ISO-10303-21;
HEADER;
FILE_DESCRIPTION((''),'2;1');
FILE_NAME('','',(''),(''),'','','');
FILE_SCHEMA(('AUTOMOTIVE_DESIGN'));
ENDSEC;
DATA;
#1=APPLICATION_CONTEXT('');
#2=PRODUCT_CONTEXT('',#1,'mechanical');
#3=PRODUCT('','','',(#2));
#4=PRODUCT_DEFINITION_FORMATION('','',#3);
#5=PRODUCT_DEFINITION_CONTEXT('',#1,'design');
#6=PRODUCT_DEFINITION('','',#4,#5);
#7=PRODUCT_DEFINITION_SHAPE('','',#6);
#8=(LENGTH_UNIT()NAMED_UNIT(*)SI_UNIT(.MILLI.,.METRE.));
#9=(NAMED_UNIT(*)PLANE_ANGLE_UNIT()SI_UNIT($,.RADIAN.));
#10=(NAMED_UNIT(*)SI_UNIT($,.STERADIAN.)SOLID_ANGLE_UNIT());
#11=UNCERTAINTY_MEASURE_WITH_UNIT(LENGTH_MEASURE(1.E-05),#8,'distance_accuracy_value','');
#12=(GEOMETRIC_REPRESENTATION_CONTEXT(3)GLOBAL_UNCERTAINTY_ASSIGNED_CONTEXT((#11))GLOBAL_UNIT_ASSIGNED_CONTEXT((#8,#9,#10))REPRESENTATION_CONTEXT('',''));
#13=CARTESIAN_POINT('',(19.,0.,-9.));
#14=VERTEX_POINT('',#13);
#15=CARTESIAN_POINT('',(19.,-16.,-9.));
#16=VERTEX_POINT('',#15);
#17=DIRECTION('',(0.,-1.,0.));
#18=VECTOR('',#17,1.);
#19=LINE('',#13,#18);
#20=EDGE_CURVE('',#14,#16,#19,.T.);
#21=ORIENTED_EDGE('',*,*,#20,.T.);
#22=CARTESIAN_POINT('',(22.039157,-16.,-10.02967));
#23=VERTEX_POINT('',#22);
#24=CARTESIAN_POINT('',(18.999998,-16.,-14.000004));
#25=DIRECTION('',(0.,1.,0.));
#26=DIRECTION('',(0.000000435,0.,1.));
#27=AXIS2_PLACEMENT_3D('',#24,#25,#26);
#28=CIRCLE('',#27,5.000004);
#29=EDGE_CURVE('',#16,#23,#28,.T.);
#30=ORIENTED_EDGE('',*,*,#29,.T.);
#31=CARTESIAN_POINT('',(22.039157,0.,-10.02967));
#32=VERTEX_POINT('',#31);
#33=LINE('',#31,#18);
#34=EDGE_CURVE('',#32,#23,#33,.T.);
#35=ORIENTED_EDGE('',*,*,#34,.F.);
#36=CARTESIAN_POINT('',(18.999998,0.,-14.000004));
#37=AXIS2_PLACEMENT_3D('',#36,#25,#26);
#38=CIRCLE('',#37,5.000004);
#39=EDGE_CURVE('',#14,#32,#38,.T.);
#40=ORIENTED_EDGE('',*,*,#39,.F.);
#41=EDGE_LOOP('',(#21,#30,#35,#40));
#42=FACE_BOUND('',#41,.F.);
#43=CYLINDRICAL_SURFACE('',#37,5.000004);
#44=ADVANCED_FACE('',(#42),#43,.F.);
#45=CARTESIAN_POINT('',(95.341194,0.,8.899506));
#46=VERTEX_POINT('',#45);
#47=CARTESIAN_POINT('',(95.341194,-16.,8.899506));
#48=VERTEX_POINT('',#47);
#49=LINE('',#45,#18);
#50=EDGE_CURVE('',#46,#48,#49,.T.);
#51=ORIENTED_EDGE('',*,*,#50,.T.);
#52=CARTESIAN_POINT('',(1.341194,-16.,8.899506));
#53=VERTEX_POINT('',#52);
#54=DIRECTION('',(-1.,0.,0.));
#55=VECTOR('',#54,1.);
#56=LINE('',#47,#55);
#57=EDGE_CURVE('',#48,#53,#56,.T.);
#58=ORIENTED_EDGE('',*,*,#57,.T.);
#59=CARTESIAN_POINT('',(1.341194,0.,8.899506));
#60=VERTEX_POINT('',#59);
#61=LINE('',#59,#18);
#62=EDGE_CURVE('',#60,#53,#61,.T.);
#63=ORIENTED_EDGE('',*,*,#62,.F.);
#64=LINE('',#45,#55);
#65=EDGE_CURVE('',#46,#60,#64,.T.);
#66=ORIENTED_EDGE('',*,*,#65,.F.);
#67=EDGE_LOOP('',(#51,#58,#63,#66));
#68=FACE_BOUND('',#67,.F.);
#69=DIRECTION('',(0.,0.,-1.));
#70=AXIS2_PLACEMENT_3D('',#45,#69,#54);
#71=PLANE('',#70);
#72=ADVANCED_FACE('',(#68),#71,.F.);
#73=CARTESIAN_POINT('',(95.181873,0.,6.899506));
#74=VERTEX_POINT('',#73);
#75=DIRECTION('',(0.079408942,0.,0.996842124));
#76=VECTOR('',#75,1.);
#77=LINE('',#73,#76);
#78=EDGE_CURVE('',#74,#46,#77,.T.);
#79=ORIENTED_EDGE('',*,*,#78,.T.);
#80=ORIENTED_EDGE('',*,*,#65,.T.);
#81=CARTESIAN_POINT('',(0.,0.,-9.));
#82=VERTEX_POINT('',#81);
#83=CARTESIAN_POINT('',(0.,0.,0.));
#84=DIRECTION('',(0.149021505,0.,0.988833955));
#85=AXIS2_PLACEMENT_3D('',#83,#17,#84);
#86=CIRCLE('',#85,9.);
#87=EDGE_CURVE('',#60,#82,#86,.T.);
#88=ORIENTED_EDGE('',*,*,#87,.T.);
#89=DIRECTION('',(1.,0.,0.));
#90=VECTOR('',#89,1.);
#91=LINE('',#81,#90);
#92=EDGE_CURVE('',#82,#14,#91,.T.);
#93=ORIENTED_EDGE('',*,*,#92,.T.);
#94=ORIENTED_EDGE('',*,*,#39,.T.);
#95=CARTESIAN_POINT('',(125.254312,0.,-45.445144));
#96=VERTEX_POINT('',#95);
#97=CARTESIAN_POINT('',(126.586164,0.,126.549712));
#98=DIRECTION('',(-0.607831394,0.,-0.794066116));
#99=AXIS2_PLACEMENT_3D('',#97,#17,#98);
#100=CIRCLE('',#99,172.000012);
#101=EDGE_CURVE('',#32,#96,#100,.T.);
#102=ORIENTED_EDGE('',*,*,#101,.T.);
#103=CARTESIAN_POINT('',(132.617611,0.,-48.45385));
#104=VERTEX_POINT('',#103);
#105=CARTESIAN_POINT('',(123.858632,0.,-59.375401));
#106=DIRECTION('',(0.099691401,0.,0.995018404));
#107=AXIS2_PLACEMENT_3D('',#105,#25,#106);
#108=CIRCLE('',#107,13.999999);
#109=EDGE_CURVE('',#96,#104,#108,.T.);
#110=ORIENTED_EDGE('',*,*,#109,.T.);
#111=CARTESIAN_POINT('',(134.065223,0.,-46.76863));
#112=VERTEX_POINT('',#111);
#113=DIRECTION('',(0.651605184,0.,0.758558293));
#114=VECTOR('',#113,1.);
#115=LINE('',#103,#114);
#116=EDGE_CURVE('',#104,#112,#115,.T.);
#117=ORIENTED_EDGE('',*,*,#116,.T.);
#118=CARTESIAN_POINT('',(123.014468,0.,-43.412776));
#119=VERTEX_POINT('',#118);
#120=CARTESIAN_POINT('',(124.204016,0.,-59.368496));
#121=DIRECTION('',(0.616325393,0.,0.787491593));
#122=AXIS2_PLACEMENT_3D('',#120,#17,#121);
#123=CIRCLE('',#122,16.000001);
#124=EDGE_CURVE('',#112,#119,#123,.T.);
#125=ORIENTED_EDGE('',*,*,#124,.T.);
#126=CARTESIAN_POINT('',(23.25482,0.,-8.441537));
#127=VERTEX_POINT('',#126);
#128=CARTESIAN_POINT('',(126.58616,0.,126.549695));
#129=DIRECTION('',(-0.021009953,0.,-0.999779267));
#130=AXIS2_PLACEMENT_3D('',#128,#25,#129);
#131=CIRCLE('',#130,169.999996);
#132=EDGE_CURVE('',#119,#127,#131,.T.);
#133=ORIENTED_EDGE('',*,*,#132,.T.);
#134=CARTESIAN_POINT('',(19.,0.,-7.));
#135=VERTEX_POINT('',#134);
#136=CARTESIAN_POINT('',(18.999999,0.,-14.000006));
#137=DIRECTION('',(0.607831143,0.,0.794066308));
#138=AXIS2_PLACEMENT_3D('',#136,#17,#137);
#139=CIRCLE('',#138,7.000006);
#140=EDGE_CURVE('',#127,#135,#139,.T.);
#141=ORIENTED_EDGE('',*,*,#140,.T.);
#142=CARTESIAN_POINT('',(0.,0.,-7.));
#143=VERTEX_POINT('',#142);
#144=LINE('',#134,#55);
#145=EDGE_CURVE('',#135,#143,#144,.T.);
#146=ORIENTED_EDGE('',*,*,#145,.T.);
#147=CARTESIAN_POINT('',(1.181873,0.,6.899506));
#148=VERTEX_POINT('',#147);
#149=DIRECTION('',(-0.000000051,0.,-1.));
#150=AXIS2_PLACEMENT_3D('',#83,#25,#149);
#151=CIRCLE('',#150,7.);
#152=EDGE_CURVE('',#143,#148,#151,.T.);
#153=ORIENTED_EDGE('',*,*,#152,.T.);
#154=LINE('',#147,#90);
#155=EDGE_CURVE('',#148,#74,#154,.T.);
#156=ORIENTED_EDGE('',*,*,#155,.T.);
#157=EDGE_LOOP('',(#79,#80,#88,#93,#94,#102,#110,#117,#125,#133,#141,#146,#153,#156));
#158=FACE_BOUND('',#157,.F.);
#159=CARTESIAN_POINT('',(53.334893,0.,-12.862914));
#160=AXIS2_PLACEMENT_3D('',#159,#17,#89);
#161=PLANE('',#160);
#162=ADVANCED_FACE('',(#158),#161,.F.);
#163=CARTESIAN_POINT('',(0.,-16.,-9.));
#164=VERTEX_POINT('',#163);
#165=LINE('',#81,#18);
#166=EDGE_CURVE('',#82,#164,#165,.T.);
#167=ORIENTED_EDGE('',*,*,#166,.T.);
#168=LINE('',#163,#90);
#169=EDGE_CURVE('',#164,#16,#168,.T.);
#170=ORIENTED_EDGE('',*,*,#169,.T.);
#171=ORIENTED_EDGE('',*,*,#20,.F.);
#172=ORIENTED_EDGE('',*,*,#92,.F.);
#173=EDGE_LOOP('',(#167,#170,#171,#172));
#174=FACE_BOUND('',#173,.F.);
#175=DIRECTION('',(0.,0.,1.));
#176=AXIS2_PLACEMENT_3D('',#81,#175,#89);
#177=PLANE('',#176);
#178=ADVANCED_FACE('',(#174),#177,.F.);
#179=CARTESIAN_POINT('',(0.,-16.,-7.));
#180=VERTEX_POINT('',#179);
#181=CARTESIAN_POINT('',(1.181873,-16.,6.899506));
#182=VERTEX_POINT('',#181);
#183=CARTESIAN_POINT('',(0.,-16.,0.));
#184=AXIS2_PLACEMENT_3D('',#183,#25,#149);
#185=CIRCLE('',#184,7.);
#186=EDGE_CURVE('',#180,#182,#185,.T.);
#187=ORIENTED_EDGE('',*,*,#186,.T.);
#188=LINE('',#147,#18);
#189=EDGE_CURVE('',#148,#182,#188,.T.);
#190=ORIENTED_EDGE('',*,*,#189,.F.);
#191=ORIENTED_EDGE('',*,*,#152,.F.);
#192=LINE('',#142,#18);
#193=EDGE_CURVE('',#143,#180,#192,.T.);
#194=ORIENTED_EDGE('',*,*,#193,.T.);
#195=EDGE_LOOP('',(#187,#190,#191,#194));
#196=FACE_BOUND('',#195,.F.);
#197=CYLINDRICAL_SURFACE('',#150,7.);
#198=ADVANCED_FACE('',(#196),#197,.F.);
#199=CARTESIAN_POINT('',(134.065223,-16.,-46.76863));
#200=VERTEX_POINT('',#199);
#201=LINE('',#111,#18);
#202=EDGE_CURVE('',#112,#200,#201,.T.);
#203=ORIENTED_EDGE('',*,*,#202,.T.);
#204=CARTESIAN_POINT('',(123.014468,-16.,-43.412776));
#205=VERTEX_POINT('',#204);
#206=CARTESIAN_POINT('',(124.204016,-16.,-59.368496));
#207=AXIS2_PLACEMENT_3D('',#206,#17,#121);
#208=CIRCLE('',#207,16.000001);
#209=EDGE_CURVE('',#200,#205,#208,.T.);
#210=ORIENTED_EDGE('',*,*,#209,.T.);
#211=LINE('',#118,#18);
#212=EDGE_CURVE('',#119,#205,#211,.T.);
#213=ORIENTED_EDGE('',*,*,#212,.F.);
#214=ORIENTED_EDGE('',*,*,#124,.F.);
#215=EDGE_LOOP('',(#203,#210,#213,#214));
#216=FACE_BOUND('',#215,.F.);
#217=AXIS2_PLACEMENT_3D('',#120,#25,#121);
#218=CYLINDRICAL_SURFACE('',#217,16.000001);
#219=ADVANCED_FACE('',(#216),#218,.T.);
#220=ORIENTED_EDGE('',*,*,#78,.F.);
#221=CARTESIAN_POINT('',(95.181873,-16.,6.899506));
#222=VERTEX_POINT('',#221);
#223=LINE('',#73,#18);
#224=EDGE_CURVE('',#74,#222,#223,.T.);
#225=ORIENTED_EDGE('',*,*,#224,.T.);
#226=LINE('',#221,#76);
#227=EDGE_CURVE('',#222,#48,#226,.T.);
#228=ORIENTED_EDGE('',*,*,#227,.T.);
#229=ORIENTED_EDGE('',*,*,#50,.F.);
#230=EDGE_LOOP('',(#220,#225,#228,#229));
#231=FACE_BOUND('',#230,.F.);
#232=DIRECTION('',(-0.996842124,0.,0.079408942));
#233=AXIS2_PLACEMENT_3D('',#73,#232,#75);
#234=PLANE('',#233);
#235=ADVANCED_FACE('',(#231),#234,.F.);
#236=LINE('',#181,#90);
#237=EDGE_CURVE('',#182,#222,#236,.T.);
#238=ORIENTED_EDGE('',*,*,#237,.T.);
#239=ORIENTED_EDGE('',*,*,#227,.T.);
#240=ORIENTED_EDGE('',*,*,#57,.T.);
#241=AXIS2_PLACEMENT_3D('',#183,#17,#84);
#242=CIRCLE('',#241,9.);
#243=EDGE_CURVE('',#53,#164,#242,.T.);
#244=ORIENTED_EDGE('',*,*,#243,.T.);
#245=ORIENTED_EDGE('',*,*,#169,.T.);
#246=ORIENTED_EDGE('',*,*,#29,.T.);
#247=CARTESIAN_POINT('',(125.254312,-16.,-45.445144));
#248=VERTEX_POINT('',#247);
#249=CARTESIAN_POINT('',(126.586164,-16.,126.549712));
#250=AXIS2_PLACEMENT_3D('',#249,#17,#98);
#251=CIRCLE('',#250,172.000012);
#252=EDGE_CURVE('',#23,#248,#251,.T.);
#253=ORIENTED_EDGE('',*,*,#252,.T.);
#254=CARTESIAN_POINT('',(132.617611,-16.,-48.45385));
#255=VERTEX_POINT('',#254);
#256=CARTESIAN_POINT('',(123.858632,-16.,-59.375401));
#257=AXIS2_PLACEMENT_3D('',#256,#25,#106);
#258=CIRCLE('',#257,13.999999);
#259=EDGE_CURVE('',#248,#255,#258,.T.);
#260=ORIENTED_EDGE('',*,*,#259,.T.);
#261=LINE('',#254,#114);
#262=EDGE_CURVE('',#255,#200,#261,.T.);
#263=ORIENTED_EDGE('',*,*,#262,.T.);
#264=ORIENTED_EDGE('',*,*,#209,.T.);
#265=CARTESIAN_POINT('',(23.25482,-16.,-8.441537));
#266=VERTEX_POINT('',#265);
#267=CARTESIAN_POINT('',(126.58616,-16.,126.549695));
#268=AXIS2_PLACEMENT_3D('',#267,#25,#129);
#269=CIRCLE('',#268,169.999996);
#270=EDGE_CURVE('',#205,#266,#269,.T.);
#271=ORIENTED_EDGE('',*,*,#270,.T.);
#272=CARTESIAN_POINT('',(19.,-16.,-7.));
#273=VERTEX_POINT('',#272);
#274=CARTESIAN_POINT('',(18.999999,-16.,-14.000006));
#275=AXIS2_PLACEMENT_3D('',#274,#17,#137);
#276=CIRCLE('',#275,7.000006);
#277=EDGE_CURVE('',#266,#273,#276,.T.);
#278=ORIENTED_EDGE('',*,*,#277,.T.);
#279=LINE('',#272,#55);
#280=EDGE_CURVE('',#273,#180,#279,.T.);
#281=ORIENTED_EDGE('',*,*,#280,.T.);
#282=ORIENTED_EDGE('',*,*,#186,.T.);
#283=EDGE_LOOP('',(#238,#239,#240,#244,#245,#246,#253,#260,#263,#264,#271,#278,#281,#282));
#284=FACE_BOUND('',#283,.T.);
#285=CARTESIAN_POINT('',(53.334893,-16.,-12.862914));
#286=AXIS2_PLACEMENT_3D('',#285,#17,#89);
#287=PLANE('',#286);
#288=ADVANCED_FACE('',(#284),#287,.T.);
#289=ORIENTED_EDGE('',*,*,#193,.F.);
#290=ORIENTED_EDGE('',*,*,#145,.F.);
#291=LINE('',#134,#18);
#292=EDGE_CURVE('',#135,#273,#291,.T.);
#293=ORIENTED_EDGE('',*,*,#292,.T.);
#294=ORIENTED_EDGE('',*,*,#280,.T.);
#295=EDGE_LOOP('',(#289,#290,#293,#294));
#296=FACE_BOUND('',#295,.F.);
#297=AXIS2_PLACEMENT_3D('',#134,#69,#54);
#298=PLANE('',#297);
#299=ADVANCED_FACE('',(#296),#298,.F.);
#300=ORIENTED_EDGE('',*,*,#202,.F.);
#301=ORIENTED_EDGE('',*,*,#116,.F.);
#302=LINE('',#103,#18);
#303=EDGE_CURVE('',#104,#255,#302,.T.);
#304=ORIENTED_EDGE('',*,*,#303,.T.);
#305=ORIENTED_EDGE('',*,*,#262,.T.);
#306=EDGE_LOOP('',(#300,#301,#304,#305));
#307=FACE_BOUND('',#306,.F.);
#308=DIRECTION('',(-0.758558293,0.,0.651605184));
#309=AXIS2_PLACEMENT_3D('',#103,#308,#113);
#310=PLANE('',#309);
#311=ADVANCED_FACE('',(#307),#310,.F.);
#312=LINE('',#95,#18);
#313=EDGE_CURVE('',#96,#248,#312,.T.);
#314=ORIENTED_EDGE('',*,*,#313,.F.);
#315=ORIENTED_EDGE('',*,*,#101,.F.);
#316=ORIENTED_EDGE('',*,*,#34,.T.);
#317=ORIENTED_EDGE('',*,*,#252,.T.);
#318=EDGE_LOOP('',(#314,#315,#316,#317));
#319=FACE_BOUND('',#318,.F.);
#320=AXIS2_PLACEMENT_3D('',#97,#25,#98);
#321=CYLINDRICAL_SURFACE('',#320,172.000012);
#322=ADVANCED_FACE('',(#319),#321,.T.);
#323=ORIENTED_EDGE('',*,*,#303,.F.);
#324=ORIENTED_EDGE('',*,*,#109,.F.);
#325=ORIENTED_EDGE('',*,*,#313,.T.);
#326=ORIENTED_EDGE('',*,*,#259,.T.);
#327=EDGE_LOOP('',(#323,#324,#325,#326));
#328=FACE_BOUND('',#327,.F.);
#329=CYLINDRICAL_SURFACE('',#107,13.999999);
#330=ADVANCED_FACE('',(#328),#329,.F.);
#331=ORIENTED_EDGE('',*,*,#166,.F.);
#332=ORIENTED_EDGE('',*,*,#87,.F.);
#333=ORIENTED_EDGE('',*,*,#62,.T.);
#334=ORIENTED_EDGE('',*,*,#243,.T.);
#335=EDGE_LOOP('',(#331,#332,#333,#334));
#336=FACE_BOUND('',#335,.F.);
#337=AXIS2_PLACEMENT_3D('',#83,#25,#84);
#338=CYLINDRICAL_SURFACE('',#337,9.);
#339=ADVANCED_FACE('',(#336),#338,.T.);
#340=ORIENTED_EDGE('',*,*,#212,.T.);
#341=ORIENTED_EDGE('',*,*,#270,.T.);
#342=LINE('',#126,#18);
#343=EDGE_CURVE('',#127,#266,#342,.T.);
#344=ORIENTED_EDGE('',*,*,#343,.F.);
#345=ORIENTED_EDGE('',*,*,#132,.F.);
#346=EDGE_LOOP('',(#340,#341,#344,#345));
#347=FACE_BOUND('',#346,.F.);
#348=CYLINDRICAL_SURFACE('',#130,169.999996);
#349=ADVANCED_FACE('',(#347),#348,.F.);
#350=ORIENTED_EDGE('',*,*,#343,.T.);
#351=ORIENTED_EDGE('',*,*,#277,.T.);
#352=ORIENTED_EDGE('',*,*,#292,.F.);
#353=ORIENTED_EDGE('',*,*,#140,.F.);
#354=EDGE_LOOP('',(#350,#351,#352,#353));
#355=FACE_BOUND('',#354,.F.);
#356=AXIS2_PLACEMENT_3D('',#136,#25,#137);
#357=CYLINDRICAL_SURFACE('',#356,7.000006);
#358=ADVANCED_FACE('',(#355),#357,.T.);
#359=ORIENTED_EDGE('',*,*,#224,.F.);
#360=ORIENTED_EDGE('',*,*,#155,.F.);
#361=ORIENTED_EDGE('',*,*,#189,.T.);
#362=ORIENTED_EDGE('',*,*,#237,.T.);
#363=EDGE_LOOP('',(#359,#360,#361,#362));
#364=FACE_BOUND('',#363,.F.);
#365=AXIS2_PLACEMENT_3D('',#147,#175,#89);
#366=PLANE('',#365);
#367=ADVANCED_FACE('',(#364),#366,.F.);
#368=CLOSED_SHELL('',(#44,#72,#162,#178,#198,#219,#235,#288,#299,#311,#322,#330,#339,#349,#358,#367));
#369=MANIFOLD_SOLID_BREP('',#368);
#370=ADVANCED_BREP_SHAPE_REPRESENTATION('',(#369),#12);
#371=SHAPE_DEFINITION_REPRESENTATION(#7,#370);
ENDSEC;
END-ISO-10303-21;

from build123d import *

# Parameters (mm, degrees)
F1_DEPTH = 16


with BuildPart() as f1:
    # F0 (on Front) → F1 (new body)
    with BuildSketch(Plane.XZ):
        with BuildLine():
            Line((95.341194, 8.899506), (1.341194, 8.899506))
            ThreePointArc((1.341194, 8.899506), (-8.974841, 0.672477), (0, -9))
            Line((0, -9), (19, -9))
            ThreePointArc((19, -9), (20.604423, -9.264409), (22.039157, -10.02967))
            ThreePointArc((22.039157, -10.02967), (70.763703, -36.139738), (125.254312, -45.445144))
            ThreePointArc((125.254312, -45.445144), (129.154135, -46.415554), (132.617611, -48.45385))
            Line((132.617611, -48.45385), (134.065223, -46.76863))
            ThreePointArc((134.065223, -46.76863), (128.853194, -44.058853), (123.014468, -43.412776))
            ThreePointArc((123.014468, -43.412776), (70.347282, -33.878442), (23.25482, -8.441537))
            ThreePointArc((23.25482, -8.441537), (21.246192, -7.370172), (19, -7))
            Line((19, -7), (0, -7))
            ThreePointArc((0, -7), (-6.974831, 0.593069), (1.181873, 6.899506))
            Line((1.181873, 6.899506), (95.181873, 6.899506))
            Line((95.181873, 6.899506), (95.341194, 8.899506))
        make_face()
    extrude(amount=F1_DEPTH)


solid = f1.part
